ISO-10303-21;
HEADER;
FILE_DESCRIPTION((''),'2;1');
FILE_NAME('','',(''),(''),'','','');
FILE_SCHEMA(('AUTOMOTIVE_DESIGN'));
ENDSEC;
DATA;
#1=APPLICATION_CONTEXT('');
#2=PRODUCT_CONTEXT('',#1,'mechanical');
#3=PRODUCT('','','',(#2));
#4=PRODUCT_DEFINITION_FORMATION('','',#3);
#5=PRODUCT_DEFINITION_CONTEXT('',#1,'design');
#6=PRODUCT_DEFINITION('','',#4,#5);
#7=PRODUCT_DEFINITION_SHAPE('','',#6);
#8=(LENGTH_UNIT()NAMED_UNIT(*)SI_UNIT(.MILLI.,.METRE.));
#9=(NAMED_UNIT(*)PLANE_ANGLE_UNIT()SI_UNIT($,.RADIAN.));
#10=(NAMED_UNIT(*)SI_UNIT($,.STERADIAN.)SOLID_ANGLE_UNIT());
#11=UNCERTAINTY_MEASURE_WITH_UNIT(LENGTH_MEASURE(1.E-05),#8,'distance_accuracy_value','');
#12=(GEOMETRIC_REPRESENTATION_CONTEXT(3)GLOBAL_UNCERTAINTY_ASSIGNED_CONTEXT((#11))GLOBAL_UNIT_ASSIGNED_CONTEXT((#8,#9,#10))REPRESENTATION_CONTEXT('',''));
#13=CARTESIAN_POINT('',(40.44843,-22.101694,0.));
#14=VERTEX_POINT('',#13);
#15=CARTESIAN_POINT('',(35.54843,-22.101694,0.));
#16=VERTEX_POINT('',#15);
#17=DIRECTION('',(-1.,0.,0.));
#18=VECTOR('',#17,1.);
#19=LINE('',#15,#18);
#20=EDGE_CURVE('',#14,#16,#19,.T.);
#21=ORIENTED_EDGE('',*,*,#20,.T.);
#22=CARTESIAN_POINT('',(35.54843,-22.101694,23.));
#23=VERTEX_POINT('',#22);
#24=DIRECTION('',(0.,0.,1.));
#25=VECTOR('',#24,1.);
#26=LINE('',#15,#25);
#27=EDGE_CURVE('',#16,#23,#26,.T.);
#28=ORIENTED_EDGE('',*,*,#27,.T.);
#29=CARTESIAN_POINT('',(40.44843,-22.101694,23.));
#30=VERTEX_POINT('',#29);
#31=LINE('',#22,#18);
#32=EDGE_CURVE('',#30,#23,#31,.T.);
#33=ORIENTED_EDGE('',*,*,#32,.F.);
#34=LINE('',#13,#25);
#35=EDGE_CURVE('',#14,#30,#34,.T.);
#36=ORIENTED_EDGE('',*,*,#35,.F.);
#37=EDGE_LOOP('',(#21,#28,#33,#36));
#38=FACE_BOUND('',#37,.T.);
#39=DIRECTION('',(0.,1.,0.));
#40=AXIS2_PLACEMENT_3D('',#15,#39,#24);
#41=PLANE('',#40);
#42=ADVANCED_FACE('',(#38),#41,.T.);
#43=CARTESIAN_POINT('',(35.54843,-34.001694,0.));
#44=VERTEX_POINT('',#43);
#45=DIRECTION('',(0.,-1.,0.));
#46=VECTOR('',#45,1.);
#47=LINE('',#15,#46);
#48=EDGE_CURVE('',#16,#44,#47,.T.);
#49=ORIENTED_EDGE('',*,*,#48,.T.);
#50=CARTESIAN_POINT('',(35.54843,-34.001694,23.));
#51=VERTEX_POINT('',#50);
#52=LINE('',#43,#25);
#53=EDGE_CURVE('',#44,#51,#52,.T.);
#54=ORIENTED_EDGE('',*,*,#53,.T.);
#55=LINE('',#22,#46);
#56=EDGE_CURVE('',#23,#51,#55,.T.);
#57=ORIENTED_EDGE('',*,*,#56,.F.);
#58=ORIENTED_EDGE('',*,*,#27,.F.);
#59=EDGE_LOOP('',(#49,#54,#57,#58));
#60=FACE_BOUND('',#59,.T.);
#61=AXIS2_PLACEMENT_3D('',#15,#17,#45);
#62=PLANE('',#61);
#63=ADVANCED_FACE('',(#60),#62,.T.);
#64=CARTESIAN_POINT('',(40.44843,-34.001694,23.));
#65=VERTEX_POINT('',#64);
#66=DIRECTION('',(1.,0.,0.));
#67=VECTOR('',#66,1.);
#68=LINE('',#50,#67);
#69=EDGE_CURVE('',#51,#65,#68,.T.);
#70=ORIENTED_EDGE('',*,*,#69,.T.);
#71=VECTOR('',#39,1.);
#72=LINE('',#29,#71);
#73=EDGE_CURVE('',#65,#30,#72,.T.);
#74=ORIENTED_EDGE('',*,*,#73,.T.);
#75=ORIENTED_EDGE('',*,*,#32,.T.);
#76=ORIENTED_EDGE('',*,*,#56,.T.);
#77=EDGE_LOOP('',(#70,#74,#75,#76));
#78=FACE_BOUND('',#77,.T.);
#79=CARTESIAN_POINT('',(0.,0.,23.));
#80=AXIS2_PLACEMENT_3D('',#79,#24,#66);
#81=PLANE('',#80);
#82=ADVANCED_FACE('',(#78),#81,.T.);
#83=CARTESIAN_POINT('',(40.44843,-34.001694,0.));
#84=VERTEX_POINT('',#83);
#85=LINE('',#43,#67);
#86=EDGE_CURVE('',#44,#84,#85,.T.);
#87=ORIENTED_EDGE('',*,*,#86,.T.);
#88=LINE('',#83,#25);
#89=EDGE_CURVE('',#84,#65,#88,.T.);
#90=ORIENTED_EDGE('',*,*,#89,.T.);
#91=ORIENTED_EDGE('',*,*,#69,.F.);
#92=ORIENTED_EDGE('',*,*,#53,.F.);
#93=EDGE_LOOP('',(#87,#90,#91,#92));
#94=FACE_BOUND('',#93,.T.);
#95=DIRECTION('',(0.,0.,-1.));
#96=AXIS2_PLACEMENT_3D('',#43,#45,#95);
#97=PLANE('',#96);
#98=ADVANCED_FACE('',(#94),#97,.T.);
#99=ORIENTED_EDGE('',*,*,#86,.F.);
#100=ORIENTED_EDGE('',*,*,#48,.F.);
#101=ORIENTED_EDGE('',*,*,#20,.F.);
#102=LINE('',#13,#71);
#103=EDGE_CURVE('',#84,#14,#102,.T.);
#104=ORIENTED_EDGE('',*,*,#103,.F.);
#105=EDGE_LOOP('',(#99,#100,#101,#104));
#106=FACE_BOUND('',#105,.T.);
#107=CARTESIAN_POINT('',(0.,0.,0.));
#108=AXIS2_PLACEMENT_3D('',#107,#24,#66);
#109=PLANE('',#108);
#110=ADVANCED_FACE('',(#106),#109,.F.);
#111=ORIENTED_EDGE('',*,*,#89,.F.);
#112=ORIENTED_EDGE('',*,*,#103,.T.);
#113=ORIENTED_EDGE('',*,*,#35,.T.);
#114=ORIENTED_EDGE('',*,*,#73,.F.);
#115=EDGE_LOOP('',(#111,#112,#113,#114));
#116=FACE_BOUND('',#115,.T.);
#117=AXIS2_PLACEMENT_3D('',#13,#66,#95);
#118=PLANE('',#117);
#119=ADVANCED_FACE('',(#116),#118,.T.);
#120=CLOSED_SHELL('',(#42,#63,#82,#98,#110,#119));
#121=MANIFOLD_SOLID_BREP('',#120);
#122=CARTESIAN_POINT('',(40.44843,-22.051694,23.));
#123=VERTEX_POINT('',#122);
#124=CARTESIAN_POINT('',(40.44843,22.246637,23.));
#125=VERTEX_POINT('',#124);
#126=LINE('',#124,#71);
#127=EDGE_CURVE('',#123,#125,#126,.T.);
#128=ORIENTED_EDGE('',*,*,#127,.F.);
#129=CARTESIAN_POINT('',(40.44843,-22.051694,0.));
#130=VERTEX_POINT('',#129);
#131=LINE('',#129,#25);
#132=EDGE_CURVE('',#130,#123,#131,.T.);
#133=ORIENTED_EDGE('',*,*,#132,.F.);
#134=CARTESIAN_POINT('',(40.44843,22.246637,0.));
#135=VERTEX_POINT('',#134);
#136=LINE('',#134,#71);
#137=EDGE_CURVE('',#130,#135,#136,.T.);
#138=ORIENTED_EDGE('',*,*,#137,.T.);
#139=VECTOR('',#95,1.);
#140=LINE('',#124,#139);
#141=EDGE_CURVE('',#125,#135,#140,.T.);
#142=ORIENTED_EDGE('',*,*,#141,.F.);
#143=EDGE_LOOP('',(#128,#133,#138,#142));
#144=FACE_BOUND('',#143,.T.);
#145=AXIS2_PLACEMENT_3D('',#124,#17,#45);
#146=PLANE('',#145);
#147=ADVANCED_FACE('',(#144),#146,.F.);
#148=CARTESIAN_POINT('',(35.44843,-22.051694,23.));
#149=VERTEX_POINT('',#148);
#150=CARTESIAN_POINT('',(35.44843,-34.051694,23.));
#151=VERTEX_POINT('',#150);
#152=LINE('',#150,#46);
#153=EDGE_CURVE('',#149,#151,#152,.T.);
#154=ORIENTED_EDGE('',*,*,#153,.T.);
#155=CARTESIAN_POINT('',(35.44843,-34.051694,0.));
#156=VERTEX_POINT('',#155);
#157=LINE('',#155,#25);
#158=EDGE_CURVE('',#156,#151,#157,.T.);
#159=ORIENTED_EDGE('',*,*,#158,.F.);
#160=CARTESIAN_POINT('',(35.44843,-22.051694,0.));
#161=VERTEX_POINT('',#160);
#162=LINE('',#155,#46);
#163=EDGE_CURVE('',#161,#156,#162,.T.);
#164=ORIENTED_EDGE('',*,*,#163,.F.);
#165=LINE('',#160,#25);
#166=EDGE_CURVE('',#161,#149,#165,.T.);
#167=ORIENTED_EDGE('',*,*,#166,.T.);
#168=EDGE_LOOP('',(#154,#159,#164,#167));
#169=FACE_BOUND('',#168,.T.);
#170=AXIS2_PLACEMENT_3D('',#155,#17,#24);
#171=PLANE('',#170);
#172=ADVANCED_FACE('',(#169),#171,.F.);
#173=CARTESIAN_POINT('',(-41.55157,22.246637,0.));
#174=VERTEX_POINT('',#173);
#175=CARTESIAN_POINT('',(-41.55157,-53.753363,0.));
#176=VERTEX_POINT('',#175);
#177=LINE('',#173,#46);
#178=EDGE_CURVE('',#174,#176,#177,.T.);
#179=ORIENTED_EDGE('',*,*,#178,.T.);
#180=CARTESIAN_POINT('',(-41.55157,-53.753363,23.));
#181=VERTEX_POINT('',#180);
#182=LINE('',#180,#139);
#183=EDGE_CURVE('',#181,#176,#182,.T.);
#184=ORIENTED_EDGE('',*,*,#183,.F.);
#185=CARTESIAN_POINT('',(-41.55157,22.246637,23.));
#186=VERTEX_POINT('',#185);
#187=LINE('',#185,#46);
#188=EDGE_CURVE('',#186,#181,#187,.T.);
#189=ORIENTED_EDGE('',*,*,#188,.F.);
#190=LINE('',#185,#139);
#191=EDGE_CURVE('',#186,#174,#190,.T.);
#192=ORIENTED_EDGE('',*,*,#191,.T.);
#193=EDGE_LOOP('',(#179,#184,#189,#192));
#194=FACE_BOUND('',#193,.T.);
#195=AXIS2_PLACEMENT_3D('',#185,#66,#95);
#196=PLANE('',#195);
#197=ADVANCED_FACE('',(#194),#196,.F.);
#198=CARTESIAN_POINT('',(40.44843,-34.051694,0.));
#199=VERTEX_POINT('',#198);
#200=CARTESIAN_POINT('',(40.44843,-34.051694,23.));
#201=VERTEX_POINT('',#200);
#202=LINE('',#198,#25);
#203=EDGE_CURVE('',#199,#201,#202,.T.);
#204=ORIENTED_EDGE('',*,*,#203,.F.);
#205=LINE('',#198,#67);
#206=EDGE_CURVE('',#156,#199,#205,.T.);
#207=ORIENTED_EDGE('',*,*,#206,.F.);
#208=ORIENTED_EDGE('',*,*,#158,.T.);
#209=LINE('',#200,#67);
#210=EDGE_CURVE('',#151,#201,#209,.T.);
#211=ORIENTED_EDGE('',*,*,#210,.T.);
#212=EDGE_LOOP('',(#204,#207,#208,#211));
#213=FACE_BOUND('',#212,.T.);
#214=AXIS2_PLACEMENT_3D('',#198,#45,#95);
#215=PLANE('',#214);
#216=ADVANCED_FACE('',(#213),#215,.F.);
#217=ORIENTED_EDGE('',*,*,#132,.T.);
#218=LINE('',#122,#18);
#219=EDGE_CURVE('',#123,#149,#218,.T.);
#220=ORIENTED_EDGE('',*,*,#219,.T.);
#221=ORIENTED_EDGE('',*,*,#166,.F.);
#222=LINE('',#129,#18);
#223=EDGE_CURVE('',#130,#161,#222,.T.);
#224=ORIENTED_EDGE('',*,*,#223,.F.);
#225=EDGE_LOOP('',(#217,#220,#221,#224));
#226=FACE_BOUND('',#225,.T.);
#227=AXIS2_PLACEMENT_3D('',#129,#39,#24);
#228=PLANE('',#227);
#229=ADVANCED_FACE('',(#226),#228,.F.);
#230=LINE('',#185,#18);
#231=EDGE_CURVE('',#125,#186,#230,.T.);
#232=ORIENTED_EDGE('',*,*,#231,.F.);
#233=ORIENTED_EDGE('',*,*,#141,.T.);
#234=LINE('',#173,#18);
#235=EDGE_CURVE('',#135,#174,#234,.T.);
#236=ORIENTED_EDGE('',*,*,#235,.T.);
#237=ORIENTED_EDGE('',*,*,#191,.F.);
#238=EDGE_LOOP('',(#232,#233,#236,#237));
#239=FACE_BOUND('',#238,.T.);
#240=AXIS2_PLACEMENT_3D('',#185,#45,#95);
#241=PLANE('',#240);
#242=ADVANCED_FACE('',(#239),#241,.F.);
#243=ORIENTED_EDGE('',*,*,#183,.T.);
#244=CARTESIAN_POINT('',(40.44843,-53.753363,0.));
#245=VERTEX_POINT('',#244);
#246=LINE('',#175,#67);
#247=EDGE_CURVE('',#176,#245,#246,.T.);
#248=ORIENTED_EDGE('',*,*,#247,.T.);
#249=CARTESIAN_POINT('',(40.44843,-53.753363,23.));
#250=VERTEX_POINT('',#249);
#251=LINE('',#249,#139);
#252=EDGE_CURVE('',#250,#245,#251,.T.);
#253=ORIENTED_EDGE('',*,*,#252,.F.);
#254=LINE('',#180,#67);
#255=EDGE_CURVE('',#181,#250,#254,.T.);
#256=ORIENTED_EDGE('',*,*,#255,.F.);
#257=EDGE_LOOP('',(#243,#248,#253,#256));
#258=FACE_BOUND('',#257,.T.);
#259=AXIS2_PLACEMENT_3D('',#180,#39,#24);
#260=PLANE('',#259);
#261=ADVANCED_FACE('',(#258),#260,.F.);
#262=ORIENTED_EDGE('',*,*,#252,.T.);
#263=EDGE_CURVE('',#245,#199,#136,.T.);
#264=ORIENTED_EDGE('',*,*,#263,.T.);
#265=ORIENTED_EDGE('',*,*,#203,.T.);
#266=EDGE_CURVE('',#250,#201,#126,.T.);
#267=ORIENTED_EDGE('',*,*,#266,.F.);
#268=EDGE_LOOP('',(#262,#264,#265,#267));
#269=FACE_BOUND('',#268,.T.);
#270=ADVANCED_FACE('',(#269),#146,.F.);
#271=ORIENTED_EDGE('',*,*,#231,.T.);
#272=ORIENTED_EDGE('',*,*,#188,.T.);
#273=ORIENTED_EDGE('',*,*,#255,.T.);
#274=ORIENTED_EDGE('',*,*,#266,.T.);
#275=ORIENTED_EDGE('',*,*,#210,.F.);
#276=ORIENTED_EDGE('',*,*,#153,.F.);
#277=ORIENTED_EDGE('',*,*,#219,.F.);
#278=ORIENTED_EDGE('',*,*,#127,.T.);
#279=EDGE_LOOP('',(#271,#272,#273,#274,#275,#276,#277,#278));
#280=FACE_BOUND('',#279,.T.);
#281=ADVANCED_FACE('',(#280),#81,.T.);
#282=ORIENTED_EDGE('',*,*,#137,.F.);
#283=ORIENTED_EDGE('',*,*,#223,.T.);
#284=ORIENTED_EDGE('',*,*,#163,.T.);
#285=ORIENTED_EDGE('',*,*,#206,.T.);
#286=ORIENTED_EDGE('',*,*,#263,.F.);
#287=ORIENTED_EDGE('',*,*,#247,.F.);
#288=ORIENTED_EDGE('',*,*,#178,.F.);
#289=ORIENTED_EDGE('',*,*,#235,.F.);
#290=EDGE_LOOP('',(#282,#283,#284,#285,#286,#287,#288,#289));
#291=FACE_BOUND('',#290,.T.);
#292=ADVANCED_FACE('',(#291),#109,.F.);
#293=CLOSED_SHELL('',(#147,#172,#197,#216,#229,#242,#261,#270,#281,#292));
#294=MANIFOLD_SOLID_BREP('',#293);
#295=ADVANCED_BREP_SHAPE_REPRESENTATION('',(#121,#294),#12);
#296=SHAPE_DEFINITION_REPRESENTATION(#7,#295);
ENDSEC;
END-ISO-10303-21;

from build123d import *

# Parameters (mm, degrees)
SKETCH_1_W          = 82
SKETCH_1_H          = 76
EXTRUDE_1_DEPTH     = 23
SKETCH_2_W          = 5
SKETCH_2_H          = 12
CUT_EXTRUDE_1_DEPTH = 23
SKETCH_5_W          = 4.9
SKETCH_5_H          = 11.9
EXTRUDE_3_DEPTH     = 23


with BuildPart() as part:
    # 草图1 → 凸台-拉伸1 (new body)
    with BuildSketch(Plane.XY):
        with Locations((-0.551569507, -15.753363229)):
            Rectangle(SKETCH_1_W, SKETCH_1_H)
    extrude(amount=EXTRUDE_1_DEPTH)

    # 草图2 → 切除-拉伸1 (cut)
    with BuildSketch(Plane.XY.offset(23)):
        with Locations((37.948430493, -28.051693566)):
            Rectangle(SKETCH_2_W, SKETCH_2_H)
    extrude(amount=-CUT_EXTRUDE_1_DEPTH, mode=Mode.SUBTRACT)


with BuildPart() as body_2:
    # 草图5 → 凸台-拉伸3 (new body)
    with BuildSketch(Plane.XY.offset(23)):
        with Locations((37.998430493, -28.051693566)):
            Rectangle(SKETCH_5_W, SKETCH_5_H)
    extrude(amount=-EXTRUDE_3_DEPTH)


solid = Compound([part.part, body_2.part])
